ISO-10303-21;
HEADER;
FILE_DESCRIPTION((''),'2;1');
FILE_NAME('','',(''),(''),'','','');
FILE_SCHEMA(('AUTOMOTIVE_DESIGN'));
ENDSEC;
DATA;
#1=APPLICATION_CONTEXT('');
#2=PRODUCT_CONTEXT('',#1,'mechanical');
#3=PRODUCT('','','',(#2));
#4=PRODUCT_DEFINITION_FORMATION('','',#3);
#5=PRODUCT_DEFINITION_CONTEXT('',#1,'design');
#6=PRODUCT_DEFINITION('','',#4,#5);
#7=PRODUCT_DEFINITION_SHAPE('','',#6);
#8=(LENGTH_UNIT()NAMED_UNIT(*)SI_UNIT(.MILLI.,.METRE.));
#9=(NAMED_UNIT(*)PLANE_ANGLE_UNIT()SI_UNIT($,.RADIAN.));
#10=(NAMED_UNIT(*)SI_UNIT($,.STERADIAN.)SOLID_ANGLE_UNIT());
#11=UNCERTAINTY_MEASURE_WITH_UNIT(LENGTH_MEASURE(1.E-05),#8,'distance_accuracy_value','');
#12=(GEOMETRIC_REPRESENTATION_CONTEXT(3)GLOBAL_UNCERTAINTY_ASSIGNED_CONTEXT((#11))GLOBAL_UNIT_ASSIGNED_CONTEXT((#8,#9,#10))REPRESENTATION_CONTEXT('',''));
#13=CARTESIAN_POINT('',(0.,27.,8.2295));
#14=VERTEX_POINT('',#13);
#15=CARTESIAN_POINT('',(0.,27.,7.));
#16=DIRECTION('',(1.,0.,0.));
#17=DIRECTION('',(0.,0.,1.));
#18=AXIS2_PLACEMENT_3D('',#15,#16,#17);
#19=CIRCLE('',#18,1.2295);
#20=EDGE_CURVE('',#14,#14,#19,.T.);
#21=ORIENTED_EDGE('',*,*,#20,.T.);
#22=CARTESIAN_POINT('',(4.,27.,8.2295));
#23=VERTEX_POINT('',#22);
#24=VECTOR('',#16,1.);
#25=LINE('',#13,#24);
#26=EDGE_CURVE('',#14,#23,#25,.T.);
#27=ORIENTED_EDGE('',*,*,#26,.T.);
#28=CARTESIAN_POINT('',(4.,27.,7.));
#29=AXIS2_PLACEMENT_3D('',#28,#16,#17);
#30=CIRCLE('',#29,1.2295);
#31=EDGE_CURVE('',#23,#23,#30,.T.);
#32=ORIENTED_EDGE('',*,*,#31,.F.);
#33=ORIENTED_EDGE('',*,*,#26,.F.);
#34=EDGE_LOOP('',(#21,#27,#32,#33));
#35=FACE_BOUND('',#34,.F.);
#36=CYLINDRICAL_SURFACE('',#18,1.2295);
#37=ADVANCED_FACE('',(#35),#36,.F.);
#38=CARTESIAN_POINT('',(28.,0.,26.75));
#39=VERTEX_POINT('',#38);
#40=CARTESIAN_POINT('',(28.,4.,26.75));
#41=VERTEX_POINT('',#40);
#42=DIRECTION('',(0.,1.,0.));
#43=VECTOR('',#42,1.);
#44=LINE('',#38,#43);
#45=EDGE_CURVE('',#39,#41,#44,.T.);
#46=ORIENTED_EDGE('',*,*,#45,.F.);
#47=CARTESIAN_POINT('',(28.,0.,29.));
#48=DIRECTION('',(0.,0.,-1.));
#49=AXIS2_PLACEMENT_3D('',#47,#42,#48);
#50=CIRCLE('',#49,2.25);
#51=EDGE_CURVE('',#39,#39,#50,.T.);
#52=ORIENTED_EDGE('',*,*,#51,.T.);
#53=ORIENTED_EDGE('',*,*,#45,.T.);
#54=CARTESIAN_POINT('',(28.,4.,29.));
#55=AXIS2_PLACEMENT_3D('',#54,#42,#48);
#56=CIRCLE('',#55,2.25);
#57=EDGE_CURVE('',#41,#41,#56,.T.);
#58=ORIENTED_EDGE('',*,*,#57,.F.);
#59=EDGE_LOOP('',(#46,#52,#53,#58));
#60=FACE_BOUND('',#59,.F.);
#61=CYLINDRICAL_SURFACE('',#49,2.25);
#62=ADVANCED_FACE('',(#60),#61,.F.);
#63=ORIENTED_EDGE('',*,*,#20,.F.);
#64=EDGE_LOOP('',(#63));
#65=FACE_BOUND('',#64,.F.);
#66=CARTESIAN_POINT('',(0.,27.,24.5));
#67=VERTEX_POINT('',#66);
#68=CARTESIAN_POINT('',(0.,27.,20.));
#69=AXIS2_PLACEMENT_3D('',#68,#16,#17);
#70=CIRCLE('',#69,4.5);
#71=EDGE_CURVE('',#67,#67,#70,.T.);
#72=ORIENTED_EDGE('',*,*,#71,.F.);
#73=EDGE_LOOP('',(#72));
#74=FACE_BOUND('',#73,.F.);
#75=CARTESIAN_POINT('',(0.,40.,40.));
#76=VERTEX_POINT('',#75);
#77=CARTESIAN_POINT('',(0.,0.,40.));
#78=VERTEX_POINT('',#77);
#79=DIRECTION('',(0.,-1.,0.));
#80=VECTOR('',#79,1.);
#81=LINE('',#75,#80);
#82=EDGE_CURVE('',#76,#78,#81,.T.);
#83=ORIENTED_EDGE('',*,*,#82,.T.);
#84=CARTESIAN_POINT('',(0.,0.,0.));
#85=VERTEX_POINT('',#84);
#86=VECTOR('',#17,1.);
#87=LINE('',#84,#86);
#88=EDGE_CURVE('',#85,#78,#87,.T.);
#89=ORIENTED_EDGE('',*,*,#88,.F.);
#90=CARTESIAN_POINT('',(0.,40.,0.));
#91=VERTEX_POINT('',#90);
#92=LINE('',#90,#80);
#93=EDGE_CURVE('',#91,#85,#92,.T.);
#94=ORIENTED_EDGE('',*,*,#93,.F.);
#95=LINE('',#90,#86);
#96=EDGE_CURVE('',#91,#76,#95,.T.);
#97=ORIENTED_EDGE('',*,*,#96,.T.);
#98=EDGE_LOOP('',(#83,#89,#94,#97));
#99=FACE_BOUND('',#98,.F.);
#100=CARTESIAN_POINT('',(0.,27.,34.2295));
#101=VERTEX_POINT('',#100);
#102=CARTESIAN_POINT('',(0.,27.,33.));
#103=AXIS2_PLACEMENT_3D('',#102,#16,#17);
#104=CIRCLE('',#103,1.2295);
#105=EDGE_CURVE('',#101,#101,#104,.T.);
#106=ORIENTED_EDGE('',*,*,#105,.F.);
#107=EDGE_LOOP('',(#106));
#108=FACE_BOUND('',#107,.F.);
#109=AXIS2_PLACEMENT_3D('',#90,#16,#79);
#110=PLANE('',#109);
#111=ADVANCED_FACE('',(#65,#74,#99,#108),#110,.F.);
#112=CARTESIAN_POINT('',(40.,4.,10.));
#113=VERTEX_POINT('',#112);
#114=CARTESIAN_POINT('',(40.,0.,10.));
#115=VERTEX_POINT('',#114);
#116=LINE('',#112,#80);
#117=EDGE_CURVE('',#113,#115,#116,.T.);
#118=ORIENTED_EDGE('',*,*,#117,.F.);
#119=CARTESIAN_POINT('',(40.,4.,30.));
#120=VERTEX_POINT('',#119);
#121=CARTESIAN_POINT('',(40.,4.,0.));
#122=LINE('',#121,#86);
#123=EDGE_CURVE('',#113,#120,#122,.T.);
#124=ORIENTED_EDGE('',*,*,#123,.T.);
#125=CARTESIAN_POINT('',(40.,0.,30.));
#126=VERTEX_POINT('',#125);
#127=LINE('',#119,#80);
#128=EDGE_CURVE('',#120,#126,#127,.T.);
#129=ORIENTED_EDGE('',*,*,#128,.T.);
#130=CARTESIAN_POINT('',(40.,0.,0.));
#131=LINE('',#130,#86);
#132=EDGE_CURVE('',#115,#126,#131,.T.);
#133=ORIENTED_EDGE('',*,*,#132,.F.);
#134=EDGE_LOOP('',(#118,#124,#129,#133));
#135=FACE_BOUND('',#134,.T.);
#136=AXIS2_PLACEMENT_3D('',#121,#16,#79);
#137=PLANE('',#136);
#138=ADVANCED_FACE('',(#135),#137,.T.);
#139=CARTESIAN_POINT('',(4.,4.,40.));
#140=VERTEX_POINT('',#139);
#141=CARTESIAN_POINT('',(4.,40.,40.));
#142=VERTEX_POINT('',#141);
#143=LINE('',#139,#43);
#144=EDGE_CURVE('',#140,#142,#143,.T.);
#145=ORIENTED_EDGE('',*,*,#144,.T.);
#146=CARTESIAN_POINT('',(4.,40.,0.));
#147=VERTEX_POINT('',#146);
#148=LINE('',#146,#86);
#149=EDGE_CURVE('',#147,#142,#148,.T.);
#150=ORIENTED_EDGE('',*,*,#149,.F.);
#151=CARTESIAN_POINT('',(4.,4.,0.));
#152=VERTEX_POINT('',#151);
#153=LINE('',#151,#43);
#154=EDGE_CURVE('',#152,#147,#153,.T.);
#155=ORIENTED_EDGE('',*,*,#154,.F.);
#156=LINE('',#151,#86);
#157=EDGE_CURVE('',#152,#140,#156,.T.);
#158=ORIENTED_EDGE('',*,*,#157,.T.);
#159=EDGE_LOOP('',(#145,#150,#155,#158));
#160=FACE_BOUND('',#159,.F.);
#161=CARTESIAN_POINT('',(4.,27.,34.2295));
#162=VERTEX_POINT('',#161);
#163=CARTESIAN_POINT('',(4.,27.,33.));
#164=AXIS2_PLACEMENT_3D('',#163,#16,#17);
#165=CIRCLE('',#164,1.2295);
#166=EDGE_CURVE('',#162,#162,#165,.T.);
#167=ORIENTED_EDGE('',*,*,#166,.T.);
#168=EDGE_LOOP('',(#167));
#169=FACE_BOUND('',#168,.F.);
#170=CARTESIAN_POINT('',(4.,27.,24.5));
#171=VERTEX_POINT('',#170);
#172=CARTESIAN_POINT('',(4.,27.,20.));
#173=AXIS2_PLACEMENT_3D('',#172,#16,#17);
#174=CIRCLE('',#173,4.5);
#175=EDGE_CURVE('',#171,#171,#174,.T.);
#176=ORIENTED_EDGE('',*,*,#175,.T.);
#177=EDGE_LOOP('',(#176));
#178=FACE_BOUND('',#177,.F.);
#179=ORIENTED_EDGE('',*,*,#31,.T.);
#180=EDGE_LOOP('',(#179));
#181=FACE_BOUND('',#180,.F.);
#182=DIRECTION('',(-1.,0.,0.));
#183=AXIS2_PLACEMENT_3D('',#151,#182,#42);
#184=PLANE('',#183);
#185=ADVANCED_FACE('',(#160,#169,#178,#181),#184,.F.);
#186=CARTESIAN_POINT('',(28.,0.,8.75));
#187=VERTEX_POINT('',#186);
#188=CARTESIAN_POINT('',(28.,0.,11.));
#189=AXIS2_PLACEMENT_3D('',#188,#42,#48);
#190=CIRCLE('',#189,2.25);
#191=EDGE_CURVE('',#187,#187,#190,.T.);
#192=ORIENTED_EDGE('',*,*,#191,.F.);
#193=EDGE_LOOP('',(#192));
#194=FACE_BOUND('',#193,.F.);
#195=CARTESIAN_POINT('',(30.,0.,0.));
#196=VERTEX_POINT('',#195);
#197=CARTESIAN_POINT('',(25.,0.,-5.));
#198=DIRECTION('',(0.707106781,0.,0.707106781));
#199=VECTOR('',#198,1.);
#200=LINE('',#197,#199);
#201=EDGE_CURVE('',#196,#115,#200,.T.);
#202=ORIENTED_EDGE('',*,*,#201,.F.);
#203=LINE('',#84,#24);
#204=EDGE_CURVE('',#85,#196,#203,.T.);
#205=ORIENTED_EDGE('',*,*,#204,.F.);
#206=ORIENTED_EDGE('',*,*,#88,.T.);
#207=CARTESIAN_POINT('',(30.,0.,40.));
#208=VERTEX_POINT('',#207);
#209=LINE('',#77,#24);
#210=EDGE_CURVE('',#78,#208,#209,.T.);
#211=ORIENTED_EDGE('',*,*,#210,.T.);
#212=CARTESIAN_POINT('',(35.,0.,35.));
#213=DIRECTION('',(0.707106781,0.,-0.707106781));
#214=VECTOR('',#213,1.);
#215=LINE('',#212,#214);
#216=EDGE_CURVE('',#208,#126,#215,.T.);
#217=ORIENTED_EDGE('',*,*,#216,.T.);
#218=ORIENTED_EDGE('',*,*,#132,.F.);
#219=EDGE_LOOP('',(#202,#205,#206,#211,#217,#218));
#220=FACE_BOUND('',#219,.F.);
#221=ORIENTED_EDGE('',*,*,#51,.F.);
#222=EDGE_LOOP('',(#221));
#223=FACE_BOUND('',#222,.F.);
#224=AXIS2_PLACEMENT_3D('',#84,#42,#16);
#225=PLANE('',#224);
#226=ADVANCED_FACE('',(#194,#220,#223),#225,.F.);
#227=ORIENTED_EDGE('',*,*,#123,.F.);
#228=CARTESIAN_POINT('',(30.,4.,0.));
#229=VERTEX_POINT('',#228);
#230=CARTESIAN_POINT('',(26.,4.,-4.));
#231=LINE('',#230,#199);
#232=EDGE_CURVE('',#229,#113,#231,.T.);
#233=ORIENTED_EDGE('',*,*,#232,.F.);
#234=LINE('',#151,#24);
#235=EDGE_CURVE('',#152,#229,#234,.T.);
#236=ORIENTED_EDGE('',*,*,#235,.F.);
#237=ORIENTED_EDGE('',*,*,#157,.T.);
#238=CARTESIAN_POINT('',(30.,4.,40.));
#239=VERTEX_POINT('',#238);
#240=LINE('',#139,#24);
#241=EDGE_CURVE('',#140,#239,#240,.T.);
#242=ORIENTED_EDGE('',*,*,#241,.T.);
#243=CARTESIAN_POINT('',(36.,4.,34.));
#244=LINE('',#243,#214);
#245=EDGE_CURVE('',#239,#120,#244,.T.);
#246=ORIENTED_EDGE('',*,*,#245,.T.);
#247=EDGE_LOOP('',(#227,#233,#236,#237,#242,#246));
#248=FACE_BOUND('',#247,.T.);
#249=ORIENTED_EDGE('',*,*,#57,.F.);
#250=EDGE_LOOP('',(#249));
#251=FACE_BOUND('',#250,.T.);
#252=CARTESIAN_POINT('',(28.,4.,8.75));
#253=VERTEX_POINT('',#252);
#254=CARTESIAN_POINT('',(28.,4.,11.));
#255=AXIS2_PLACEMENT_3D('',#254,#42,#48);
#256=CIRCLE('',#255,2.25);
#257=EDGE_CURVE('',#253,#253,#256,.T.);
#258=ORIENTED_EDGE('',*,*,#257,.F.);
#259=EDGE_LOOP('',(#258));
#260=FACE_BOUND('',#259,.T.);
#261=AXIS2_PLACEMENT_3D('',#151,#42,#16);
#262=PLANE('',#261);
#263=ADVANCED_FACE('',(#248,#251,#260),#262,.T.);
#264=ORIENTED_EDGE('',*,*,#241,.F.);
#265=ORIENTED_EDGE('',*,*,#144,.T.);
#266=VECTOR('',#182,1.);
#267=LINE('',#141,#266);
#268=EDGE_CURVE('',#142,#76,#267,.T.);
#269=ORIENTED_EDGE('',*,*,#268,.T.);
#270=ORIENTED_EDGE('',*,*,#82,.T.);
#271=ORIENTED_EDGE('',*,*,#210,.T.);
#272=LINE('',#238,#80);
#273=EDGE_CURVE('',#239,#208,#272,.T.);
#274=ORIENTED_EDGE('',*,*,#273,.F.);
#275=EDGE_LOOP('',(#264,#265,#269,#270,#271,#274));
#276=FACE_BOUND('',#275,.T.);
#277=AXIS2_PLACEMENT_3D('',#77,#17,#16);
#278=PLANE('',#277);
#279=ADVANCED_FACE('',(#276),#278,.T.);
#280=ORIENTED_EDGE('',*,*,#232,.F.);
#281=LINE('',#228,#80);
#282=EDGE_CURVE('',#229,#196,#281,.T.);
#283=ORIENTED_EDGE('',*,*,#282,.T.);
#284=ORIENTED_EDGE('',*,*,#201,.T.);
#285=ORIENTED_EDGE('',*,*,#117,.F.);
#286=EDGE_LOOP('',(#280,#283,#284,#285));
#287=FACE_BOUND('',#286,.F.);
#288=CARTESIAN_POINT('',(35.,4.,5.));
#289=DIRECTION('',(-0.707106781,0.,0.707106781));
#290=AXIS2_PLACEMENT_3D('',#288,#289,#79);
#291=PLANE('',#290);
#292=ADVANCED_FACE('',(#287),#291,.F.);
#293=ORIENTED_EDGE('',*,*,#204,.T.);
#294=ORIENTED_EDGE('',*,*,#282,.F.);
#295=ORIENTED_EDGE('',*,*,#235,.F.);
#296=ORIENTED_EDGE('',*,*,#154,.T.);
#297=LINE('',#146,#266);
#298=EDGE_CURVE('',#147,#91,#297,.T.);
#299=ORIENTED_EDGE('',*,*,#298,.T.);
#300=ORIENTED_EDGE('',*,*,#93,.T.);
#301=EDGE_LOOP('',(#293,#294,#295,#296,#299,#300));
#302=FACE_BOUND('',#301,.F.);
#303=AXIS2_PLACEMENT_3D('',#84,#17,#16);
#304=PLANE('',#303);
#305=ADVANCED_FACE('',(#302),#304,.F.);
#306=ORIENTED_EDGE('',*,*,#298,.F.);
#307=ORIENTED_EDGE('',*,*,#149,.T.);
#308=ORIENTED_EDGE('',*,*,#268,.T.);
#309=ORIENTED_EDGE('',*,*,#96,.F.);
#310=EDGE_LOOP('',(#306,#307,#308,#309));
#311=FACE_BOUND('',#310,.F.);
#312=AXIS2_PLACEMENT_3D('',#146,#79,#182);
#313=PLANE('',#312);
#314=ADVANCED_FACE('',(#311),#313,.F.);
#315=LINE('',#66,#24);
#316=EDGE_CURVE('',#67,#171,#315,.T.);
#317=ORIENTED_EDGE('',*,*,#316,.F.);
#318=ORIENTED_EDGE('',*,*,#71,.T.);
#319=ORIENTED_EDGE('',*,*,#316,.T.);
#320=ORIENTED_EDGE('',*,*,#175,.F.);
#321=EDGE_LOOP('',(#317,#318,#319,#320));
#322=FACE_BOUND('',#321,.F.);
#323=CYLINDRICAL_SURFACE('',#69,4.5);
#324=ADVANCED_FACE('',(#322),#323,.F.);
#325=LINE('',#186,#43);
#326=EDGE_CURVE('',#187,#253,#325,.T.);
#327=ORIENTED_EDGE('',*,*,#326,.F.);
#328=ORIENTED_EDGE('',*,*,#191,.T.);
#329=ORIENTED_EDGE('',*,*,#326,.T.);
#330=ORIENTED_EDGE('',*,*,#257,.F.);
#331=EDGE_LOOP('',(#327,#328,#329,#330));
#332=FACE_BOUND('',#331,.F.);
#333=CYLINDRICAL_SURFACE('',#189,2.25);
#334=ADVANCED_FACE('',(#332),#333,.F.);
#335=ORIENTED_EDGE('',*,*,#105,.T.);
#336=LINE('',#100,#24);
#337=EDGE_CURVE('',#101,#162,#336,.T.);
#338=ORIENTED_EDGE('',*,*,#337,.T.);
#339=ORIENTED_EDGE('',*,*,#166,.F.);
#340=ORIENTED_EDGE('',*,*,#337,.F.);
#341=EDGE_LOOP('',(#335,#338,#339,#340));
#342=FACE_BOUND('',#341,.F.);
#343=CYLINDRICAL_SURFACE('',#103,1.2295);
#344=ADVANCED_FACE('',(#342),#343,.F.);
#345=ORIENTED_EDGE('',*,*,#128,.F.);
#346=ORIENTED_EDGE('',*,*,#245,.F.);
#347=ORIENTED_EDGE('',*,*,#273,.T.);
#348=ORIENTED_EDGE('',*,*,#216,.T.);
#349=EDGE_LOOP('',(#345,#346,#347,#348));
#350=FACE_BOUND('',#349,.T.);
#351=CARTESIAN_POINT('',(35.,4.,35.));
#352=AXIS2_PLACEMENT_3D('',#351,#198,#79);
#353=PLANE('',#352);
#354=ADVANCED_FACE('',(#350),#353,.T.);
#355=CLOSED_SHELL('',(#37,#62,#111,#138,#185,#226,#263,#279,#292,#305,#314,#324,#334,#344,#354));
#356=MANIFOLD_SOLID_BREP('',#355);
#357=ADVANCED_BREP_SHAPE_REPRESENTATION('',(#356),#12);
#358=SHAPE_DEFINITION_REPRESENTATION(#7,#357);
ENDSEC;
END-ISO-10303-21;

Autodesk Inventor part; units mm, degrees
ref_plane "YZ Plane" through (0, 0, 0) normal (1, 0, 0) x (0, 1, 0)
ref_plane "XZ Plane" through (0, 0, 0) normal (0, 1, 0) x (-1, 0, 0)
ref_plane "XY Plane" through (0, 0, 0) normal (0, 0, 1) x (1, 0, 0)
sketch "Skizze1" plane through (0, 0, 0) normal (0, 0, 1) x (1, 0, 0)
  line L0 (0, 0) -> (40, 0)
  line L1 (4, 4) -> (4, 40)
  line L2 (4, 40) -> (0, 40)
  line L3 (0, 40) -> (0, 0)
  line L4 (4, 4) -> (40, 4)
  line L5 (40, 4) -> (40, 0)
  line L6 (-8, 0) -> (48, 0) projected
  line L7 (0, -8) -> (0, 48) projected
  dimension "d0" = 40
  dimension "d3" = 40
  dimension "d4" = 4
extrude "Extrusion1" add sketch "Skizze1" along normal blind 40
sketch "Skizze2" plane through (0, 0, 0) normal (-1, 0, 0) x (0, 0, 1)
  line L0 (0, 40) -> (40, 40) projected
  line L1 (0, 0) -> (40, 0) projected
  line L2 (20, 40) -> (20, 0)
  point P0 (20, 27)
  dimension "d7" = 27
hole "Bohrung1" at (0, 27, 20) direction (1, 0, 0) diameter 9 end through all
sketch "Skizze3" plane through (0, 0, 0) normal (-1, 0, 0) x (0, 0, 1)
  circle A0 centre (20, 27) radius 4.5 projected
  line L0 (0, 40) -> (40, 40) projected
  line L1 (0, 0) -> (40, 0) projected
  line L2 (15.0773, 27) -> (4.7258, 27)
  line L3 (0, -8) -> (0, 48) projected
  line L4 (-8, 0) -> (48, 0) projected
  line L5 (20, 27) -> (20, 40)
  point P0 (7, 27)
  point P1 (33, 27)
  dimension "d15" = 13
  dimension "d16" = 26
hole "Bohrung2" at (0, 27, 7) at (0, 27, 33) direction (1, 0, 0) diameter 2.459 end through all thread size "M3x0.5" class "6H" standard "ISO Metric profile"
sketch "Skizze4" plane through (0, 0, 0) normal (0, -1, 0) x (1, 0, 0)
  line L0 (40, 40) -> (0, 40) projected
  line L1 (0, 0) -> (0, 40) projected
  line L2 (0, 0) -> (40, 0) projected
  line L3 (40, 0) -> (40, 40) projected
  line L4 (28, 40) -> (28, 0)
  line L5 (0, 20) -> (40, 20)
  point P0 (28, 29)
  point P1 (28, 11)
  dimension "d24" = 12
  dimension "d25" = 18
hole "Bohrung3" at (28, 0, 29) at (28, 0, 11) direction (0, 1, 0) diameter 4.5 end through all
chamfer "Fase1" distance 10 angle 45 2 edges at (40, 2, 40) (40, 2, 0)
properties part number "13_0204_056"
